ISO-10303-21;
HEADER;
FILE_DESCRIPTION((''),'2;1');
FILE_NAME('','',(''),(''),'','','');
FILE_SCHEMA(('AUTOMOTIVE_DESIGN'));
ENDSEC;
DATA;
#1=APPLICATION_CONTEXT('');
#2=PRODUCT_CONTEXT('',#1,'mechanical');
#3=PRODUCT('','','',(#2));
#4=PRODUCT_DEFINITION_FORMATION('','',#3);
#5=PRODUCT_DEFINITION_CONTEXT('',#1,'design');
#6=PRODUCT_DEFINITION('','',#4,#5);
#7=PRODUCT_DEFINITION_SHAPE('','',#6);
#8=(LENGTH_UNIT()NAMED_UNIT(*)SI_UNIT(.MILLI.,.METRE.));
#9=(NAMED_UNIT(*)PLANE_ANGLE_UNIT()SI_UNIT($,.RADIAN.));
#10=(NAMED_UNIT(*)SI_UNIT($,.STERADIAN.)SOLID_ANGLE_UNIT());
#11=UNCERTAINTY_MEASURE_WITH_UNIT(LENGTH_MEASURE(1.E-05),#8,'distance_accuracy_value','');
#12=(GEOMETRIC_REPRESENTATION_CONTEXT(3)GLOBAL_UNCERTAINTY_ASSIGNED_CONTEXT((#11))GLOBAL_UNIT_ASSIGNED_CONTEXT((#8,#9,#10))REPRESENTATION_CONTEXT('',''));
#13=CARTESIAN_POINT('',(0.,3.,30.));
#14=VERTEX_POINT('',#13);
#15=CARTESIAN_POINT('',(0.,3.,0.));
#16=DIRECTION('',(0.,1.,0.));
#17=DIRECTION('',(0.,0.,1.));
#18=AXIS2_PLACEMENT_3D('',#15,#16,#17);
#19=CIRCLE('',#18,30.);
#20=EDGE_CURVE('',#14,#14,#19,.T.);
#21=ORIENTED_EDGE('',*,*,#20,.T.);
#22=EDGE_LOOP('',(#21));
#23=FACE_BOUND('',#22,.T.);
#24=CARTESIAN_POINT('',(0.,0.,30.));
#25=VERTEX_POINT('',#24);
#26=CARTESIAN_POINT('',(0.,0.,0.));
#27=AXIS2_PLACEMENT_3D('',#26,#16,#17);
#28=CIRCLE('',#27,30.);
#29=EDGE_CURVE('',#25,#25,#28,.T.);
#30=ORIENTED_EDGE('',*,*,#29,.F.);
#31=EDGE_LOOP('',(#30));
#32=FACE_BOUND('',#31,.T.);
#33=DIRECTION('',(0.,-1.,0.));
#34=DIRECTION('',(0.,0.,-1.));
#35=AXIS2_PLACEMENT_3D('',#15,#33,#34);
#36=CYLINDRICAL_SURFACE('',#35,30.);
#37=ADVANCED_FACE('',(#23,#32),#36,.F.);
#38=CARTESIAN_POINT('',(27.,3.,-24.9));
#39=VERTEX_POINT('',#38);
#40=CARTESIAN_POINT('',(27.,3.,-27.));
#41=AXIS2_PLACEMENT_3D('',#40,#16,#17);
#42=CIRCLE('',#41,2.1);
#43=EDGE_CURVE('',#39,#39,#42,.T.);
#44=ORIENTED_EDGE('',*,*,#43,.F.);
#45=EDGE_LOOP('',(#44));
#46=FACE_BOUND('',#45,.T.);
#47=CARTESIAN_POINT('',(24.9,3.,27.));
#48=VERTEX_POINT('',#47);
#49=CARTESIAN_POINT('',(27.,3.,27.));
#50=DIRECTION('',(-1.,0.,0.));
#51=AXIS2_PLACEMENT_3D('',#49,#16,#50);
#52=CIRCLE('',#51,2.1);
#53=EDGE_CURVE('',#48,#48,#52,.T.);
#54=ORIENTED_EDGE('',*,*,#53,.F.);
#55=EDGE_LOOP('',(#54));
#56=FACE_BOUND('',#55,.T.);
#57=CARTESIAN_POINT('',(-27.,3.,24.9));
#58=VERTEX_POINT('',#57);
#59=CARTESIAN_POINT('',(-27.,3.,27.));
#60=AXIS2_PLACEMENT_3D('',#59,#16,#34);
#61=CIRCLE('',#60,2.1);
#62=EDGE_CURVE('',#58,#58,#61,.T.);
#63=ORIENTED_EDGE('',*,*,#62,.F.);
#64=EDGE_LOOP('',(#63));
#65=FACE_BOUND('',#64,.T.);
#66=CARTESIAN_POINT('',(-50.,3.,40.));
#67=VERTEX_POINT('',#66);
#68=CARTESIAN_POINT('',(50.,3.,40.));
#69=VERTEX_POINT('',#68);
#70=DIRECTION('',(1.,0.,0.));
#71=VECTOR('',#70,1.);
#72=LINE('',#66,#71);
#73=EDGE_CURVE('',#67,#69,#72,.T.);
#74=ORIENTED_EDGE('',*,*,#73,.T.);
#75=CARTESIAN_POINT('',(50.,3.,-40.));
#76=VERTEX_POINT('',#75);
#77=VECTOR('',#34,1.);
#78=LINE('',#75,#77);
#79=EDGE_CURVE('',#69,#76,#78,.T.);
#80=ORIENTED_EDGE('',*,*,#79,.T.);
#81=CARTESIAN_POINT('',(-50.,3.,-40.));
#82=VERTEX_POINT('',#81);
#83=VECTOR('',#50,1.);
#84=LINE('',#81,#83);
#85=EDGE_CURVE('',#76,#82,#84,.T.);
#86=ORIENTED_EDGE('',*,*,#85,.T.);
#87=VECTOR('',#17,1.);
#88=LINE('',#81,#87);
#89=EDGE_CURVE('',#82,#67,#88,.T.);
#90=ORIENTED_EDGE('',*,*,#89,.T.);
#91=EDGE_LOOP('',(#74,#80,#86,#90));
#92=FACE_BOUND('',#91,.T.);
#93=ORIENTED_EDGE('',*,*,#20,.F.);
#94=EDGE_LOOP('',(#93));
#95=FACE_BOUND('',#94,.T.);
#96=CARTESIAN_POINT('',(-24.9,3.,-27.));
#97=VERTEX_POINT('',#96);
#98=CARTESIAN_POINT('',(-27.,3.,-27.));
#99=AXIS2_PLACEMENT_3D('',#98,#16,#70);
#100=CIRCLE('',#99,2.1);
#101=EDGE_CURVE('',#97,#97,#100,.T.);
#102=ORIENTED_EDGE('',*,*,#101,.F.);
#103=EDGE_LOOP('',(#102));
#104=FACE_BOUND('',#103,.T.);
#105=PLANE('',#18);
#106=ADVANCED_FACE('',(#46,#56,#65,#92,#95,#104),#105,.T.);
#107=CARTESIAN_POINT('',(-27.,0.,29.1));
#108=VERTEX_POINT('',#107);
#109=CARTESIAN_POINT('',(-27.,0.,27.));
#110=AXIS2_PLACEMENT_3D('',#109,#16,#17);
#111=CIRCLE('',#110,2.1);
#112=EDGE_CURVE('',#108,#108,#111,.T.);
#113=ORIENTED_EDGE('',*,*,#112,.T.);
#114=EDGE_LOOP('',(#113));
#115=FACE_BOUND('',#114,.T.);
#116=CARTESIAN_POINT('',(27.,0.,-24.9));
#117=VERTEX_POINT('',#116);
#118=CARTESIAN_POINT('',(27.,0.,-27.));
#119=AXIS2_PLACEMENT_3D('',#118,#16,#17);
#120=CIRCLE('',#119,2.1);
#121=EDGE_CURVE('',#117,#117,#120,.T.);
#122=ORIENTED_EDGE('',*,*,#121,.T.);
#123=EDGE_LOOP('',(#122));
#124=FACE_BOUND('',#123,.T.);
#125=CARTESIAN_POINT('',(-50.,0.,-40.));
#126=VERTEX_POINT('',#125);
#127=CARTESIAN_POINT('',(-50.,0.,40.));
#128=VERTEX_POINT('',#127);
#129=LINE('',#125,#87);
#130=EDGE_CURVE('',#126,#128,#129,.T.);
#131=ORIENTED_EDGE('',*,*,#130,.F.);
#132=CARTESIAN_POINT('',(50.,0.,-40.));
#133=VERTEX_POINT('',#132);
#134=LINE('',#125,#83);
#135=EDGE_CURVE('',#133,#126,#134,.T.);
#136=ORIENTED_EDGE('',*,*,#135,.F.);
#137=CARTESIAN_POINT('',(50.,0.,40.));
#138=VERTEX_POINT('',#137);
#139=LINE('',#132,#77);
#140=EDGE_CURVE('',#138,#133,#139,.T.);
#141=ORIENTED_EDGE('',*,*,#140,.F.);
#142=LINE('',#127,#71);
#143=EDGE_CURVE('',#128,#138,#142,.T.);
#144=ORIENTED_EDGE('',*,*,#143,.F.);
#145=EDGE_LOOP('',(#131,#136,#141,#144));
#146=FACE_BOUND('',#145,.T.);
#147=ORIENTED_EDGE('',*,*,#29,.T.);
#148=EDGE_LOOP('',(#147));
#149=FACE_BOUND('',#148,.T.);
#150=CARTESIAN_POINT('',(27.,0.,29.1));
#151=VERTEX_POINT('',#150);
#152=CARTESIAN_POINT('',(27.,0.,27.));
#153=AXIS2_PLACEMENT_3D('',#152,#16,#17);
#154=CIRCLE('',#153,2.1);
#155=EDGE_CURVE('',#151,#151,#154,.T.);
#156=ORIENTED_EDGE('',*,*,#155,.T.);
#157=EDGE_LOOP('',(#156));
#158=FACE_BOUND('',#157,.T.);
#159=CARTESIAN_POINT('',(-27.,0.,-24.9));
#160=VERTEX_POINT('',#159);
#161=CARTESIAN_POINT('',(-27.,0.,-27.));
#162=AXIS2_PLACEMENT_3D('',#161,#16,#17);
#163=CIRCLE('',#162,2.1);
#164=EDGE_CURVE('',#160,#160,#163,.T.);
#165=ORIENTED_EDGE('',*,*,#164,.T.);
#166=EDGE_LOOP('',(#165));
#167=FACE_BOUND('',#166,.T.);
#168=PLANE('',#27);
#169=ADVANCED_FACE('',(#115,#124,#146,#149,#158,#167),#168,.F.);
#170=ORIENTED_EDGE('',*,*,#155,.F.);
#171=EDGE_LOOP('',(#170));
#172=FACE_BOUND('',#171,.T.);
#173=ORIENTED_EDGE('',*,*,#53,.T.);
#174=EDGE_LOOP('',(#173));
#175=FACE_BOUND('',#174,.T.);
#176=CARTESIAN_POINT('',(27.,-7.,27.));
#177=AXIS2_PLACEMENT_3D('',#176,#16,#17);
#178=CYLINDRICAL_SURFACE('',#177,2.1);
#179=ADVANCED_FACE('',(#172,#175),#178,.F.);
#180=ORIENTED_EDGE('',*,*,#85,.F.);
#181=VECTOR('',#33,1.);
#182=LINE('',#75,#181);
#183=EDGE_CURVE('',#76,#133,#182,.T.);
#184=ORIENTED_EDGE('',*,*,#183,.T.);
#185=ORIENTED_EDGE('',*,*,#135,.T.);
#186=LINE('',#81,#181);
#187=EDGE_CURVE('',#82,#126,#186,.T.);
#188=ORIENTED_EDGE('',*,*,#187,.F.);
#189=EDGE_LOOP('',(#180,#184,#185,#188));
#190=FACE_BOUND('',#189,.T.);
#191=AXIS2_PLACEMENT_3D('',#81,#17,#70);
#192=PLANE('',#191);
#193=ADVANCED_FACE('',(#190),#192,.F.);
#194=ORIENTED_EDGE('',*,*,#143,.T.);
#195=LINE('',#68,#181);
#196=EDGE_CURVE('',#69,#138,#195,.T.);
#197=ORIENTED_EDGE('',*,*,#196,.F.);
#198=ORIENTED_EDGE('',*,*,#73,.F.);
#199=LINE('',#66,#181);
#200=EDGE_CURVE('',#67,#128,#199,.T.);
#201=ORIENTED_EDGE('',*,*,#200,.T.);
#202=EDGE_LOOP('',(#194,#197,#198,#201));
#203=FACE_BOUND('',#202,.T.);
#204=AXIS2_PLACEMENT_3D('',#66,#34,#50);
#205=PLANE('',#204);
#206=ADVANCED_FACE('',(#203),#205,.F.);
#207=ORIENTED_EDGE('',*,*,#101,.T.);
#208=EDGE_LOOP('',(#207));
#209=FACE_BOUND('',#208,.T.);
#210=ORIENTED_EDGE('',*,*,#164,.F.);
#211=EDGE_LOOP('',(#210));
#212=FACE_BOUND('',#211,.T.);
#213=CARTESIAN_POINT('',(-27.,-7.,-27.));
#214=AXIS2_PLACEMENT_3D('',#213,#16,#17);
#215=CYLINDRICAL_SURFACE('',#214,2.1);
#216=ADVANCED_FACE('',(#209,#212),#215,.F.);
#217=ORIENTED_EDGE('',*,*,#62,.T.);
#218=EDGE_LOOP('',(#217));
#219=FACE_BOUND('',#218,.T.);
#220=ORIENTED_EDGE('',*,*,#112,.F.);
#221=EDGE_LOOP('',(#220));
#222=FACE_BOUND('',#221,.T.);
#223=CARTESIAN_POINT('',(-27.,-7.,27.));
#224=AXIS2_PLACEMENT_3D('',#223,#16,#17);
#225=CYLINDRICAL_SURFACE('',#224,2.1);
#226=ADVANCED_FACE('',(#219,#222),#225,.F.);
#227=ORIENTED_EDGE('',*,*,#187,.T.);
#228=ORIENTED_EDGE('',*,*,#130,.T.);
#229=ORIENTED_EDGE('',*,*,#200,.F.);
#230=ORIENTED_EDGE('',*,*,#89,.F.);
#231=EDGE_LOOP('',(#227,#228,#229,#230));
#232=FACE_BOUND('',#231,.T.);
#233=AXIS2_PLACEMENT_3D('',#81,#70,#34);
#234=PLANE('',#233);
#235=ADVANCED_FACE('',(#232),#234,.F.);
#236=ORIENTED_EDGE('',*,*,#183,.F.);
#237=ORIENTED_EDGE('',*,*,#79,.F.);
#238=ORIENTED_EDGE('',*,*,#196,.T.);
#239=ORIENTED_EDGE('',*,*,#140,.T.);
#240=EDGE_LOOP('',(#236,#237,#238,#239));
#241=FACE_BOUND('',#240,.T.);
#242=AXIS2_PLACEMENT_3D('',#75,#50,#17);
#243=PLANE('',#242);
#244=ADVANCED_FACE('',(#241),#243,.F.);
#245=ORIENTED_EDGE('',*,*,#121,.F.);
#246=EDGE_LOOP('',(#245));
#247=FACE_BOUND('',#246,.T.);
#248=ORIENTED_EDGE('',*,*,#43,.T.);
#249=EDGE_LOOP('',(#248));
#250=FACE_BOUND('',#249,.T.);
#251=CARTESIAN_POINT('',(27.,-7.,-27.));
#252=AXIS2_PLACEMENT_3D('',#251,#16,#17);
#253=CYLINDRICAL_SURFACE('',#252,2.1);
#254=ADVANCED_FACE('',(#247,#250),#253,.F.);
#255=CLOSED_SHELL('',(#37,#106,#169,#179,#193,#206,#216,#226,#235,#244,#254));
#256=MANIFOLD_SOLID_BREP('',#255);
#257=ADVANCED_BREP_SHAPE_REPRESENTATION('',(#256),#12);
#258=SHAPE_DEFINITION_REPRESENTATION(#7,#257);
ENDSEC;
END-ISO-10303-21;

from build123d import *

# Parameters (mm, degrees)
SKETCH_1_W               = 100
SKETCH_1_H               = 80
SKETCH_1_R               = 30
EXTRUDE_1_DEPTH          = 3
SKETCH_2_R               = 2.1
CUT_EXTRUDE_1_DEPTH      = 10
PATTERN_CIRCULAR_1_COUNT = 4


with BuildPart() as part:
    # 草图1 → 凸台-拉伸1 (new body)
    with BuildSketch(Plane(origin=(0, 0, 0), x_dir=(1, 0, 0), z_dir=(0, 1, 0))):
        Rectangle(SKETCH_1_W, SKETCH_1_H)
        Circle(SKETCH_1_R, mode=Mode.SUBTRACT)
    extrude(amount=EXTRUDE_1_DEPTH)

    # 草图2 → 切除-拉伸1 (cut)
    with BuildSketch(Plane(origin=(0, 3, 0), x_dir=(1, 0, 0), z_dir=(0, 1, 0))):
        with Locations((27, 27)):
            Circle(SKETCH_2_R)
    cut_extrude_1 = extrude(amount=-CUT_EXTRUDE_1_DEPTH, mode=Mode.SUBTRACT)

    # 阵列(圆周)1: 切除-拉伸1 ×4 about axis
    pattern_circular_1_axis = Axis((0, 0, 0), (0, 1, 0))
    for i in range(1, PATTERN_CIRCULAR_1_COUNT):
        add(cut_extrude_1.rotate(pattern_circular_1_axis, i * 360 / PATTERN_CIRCULAR_1_COUNT), mode=Mode.SUBTRACT)


solid = part.part
